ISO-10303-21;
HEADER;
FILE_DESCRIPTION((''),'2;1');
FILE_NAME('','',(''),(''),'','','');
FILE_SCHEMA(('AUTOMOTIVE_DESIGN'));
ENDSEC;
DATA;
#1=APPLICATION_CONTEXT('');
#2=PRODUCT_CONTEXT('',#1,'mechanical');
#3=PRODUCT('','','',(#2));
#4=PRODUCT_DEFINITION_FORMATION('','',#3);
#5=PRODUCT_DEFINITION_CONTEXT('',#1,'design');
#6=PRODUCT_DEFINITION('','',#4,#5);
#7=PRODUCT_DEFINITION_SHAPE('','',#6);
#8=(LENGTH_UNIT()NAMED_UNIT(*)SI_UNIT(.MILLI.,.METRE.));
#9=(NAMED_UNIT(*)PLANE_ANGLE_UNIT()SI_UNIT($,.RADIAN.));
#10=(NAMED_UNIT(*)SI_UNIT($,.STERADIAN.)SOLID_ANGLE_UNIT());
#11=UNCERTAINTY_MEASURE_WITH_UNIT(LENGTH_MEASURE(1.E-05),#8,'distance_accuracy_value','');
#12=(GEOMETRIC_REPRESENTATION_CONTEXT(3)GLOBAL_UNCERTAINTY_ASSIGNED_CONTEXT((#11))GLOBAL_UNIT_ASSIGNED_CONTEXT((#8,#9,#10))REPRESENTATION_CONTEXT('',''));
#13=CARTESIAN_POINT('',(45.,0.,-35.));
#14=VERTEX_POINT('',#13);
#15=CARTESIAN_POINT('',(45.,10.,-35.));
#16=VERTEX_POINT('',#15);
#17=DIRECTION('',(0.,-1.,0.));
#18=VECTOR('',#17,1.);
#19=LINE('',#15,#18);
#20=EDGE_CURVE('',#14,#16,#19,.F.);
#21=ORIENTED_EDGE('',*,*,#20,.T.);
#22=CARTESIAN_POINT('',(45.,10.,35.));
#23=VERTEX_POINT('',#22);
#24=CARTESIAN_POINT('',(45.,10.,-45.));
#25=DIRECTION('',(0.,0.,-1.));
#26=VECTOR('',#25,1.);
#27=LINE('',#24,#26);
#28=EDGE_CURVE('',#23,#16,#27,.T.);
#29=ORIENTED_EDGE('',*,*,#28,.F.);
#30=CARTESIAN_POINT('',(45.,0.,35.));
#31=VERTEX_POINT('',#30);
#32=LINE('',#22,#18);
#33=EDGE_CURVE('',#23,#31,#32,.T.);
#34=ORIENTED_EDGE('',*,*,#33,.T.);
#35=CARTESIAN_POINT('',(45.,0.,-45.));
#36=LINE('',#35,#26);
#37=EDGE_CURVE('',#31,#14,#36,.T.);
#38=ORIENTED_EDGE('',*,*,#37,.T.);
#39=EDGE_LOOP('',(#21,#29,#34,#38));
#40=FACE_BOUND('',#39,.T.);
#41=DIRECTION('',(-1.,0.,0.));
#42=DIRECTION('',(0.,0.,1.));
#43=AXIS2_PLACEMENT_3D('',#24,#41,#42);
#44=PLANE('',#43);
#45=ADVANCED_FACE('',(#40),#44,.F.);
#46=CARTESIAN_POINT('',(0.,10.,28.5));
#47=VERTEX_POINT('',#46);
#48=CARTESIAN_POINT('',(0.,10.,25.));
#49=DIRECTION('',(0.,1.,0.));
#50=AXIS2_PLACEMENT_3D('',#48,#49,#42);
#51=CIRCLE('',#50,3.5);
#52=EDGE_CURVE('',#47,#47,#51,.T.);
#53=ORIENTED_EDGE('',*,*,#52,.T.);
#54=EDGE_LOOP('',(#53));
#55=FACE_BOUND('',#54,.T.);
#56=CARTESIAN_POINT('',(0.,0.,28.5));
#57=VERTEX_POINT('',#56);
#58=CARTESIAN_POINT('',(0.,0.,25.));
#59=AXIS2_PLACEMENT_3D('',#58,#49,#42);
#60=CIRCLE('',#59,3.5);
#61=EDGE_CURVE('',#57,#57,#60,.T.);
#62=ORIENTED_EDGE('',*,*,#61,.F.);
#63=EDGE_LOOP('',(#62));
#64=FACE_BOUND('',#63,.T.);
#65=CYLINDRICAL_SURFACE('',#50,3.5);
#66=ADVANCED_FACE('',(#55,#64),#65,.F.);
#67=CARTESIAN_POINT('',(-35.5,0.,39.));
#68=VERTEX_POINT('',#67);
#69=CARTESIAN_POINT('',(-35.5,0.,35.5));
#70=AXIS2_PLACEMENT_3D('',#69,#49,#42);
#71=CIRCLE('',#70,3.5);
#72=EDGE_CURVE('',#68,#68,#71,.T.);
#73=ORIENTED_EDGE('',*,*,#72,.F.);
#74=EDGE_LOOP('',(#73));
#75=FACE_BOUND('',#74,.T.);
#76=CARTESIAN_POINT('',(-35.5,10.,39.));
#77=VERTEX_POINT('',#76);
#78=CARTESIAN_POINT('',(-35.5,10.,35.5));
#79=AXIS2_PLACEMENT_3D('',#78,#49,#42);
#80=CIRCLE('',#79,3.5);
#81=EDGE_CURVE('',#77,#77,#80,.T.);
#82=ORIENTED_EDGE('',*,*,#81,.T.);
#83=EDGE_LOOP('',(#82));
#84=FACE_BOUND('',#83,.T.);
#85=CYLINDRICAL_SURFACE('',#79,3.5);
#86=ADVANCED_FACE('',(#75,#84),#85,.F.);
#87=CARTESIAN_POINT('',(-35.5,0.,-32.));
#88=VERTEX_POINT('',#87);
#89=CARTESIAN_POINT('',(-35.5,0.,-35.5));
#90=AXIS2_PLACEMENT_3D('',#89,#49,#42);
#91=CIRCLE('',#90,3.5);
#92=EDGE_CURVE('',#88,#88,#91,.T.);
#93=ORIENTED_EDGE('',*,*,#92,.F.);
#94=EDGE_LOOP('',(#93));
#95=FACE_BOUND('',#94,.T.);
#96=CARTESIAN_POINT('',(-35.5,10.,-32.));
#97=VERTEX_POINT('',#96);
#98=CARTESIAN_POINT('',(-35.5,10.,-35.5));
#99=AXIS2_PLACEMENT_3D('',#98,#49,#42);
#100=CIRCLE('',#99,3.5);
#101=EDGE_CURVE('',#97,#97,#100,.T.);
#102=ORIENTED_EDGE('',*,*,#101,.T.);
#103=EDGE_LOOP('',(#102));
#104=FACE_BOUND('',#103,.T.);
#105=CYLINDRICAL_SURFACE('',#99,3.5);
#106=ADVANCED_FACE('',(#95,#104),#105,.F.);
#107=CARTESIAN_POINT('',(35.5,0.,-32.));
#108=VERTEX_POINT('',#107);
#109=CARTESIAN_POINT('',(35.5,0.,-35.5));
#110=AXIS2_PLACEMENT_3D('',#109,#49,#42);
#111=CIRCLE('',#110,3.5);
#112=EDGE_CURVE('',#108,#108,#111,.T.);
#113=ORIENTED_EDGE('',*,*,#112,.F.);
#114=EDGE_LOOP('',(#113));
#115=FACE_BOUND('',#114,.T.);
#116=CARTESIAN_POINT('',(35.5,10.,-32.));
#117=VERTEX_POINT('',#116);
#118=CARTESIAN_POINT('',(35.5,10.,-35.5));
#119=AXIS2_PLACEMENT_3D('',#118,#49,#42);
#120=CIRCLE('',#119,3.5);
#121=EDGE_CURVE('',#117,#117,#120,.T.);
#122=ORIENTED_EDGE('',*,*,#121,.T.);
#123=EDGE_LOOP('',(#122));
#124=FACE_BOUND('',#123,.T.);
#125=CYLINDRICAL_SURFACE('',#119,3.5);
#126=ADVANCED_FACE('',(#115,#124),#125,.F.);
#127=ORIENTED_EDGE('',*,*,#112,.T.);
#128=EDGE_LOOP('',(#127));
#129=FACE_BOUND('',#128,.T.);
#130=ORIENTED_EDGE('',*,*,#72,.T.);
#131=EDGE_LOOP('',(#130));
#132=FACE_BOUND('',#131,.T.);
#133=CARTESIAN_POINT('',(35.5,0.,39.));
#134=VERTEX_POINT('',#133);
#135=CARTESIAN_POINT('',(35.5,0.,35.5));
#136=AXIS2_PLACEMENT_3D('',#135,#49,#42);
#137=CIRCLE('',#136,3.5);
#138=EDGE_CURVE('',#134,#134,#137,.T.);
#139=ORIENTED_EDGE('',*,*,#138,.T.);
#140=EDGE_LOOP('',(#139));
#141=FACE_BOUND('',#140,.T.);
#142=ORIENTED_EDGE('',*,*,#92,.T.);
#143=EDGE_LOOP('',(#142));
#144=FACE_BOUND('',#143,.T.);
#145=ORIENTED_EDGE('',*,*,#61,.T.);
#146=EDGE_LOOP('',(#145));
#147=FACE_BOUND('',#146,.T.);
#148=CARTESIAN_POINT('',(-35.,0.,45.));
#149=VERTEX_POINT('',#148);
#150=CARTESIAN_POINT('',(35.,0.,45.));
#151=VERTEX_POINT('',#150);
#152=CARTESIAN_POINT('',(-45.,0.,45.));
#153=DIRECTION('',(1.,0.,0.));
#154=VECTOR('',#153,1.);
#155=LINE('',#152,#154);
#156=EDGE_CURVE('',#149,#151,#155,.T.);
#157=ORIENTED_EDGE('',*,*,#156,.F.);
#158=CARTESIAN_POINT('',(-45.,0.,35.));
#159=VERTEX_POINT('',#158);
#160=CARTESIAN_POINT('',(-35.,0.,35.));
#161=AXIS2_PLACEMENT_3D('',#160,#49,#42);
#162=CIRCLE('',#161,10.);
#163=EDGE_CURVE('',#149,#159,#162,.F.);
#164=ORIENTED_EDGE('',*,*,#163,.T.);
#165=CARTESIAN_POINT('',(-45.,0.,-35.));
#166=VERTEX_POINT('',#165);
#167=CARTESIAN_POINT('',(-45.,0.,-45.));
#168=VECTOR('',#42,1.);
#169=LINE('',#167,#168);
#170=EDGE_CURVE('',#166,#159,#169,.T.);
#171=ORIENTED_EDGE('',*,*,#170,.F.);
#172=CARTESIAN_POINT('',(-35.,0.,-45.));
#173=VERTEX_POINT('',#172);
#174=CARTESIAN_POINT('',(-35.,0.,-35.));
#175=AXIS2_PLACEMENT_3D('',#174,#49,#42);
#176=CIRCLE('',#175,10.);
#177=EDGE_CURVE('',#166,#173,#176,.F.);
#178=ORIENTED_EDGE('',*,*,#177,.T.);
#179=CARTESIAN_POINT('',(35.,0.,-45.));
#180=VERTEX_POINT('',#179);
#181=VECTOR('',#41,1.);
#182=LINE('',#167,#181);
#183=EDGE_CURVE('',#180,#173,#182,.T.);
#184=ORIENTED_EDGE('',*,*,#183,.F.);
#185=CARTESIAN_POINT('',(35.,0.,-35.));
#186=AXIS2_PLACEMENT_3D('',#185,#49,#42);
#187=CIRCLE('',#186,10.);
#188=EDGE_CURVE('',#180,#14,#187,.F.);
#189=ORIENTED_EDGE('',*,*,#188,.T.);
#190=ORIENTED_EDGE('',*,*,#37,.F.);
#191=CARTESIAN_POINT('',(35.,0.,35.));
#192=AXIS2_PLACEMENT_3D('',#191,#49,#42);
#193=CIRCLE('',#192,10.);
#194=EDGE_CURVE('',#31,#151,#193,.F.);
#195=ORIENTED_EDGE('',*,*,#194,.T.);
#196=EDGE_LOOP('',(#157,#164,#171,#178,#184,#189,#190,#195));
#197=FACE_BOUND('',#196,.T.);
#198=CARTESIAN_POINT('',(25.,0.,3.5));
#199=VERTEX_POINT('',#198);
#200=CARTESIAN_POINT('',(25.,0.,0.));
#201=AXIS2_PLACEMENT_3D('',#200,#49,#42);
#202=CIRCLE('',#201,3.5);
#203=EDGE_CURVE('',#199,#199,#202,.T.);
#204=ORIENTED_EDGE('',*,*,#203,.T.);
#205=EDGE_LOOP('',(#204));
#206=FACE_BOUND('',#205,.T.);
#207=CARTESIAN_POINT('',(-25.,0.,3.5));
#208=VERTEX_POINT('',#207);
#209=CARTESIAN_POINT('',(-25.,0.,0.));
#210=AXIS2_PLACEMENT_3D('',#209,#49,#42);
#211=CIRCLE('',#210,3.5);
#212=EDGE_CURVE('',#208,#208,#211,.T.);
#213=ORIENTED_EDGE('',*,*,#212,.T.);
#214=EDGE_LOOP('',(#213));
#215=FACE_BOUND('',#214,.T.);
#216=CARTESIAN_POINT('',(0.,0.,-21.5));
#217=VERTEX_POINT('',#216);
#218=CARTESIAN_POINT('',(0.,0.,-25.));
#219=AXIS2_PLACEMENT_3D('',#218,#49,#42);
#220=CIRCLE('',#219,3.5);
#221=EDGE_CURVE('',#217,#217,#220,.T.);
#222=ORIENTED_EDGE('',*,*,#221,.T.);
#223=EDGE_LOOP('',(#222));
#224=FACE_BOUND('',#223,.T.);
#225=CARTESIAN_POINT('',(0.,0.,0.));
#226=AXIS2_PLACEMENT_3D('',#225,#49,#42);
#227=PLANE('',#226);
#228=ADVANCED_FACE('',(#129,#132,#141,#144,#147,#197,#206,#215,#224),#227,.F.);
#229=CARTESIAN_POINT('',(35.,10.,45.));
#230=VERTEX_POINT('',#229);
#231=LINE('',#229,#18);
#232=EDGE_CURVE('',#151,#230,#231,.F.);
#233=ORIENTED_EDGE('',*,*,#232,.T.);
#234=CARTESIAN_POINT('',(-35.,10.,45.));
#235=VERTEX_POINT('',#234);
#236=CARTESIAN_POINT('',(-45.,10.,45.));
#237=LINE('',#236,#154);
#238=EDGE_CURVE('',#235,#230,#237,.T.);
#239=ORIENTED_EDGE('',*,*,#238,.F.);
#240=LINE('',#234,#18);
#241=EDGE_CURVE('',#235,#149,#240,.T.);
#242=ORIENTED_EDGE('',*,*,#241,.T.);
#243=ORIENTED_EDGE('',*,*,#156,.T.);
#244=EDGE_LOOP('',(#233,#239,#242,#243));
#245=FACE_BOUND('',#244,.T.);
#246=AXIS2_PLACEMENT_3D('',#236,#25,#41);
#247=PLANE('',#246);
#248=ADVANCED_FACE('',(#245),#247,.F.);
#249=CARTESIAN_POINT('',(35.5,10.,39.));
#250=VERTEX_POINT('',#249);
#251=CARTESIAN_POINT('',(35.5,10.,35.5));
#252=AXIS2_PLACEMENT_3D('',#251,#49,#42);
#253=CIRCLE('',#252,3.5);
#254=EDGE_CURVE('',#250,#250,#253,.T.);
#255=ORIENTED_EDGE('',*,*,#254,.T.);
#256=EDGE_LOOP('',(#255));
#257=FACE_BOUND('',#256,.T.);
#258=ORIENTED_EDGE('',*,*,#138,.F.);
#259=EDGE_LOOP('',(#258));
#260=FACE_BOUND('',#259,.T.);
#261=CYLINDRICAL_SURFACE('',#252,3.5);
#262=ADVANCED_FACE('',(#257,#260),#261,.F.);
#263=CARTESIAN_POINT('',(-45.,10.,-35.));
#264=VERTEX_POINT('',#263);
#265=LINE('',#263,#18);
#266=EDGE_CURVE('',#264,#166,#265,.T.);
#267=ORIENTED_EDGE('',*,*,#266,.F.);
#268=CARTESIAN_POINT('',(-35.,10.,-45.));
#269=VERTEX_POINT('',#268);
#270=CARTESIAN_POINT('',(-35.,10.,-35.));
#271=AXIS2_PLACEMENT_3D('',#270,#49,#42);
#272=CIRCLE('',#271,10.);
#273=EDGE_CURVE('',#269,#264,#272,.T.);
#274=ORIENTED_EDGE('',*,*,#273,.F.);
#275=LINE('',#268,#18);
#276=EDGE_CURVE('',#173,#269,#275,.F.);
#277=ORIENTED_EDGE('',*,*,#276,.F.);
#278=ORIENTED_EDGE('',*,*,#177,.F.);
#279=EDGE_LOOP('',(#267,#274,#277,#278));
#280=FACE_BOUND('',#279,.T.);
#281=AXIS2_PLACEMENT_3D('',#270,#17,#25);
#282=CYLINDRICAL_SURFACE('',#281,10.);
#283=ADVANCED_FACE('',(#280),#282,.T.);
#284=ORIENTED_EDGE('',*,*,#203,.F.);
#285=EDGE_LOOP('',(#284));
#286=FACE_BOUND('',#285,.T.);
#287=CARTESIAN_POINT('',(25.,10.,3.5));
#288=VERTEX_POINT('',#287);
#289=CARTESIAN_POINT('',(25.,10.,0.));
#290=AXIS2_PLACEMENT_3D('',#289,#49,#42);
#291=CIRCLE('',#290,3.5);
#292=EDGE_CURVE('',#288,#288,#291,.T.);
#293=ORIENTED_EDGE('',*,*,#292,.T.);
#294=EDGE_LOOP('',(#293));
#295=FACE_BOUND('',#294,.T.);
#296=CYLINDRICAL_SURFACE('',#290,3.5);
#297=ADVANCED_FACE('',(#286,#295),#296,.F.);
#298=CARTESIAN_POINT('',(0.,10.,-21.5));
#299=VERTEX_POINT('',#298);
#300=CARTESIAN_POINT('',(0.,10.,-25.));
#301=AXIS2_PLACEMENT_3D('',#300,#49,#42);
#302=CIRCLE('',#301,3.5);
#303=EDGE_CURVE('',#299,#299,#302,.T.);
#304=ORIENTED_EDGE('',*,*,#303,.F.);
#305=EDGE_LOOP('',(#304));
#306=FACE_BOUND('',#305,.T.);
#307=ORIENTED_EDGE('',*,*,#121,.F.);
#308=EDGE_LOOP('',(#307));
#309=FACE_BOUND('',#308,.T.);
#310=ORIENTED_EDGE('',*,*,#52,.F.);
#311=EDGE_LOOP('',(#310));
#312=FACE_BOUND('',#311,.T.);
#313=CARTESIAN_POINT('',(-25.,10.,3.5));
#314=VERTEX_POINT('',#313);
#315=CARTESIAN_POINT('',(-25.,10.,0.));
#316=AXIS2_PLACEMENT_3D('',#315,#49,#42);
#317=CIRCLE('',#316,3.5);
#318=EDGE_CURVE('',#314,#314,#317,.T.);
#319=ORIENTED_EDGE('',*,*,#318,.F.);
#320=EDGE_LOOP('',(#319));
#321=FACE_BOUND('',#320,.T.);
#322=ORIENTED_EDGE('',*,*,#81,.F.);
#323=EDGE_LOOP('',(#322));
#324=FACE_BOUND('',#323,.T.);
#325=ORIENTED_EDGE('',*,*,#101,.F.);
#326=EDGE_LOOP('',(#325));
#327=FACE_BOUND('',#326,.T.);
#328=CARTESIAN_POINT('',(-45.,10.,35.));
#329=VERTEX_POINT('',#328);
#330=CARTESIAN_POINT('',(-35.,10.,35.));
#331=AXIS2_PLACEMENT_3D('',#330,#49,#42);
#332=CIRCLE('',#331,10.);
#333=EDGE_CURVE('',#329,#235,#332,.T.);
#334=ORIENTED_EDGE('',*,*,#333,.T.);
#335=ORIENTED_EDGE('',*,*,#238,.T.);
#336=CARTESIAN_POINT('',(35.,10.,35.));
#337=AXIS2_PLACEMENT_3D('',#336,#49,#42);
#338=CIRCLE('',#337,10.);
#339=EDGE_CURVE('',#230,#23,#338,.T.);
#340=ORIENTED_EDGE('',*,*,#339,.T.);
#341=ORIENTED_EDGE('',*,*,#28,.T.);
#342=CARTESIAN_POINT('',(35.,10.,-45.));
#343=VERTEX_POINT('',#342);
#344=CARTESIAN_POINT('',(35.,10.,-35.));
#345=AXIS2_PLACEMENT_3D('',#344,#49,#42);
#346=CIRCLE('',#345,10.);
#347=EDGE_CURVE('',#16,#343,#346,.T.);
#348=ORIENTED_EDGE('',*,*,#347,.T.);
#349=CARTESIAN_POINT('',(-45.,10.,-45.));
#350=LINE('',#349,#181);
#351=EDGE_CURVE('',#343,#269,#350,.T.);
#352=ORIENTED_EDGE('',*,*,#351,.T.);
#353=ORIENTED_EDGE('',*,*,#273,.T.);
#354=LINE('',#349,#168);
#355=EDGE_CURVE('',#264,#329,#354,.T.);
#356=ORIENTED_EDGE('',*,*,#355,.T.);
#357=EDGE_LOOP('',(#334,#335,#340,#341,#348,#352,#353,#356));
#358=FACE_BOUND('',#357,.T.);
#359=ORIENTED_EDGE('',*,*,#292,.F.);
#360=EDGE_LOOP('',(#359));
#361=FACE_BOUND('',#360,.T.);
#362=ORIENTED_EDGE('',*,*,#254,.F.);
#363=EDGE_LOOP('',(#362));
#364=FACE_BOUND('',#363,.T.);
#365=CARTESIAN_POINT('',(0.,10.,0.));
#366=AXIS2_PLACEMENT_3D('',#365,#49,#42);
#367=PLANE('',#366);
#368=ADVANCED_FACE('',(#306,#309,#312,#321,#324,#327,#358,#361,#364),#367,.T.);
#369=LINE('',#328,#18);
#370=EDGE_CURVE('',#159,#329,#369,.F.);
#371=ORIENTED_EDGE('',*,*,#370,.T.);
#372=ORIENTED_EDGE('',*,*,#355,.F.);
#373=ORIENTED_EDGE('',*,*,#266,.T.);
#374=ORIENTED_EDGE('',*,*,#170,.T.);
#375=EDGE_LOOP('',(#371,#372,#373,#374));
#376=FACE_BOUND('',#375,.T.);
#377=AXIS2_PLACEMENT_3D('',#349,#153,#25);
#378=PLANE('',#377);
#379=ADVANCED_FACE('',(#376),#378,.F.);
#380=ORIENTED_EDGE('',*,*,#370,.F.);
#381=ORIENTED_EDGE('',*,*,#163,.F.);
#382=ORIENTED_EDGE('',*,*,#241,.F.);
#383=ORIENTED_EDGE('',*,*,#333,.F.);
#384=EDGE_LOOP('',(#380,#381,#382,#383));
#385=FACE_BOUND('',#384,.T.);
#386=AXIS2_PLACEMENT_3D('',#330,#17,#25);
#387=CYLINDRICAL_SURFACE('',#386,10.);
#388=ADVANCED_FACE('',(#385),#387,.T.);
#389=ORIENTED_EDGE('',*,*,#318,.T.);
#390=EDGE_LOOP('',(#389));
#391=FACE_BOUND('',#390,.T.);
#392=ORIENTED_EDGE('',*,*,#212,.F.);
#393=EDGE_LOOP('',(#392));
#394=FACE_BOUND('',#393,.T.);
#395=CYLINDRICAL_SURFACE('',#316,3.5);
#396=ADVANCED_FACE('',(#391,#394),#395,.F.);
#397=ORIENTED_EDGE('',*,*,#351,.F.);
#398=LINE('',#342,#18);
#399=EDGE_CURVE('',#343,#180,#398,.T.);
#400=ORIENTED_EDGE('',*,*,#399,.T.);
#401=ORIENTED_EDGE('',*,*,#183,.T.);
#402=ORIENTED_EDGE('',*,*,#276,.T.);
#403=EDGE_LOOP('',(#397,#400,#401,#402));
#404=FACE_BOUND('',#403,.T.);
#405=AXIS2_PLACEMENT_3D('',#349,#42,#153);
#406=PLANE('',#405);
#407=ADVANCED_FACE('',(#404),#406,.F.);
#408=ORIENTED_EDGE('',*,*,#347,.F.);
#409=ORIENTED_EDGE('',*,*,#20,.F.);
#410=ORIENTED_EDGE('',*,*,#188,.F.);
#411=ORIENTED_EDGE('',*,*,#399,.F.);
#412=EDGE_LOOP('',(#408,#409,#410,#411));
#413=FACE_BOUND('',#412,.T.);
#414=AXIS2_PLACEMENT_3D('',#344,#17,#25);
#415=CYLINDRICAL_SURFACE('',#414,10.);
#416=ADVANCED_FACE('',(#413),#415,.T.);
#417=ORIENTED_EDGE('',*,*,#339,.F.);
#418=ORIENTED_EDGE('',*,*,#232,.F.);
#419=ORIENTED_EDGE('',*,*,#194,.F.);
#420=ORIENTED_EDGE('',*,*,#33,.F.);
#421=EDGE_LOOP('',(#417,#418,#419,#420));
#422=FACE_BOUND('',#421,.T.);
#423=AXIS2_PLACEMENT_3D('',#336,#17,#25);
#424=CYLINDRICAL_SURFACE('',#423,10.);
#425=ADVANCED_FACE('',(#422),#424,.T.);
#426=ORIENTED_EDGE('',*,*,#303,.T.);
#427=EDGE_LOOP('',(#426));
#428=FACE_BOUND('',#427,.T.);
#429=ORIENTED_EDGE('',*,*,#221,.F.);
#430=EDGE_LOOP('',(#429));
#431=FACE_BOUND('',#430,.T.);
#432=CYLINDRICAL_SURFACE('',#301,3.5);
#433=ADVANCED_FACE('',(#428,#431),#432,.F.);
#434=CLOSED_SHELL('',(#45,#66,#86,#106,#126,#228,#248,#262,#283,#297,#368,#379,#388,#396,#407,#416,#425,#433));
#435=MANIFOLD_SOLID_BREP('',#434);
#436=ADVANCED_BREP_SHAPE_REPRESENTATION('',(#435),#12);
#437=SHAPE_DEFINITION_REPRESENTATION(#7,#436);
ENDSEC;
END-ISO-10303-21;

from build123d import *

# Parameters (mm, degrees)
SKETCH1_W            = 90
SKETCH1_H            = 90
BOSS_EXTRUDE1_DEPTH  = 10
M6_CLEARANCE_HOLE1_D = 7
M6_CLEARANCE_HOLE2_D = 7
FILLET1_R            = 10


with BuildPart() as part:
    # Sketch1 → Boss-Extrude1 (new body)
    with BuildSketch(Plane(origin=(0, 0, 0), x_dir=(1, 0, 0), z_dir=(0, 1, 0))):
        Rectangle(SKETCH1_W, SKETCH1_H)
    extrude(amount=BOSS_EXTRUDE1_DEPTH)

    # M6 Clearance Hole1 (through all)
    with Locations(Plane(origin=(0, 10, 0), x_dir=(1, 0, 0), z_dir=(0, 1, 0))):
        with Locations((-25, 0), (0, 25), (25, 0), (0, -25)):
            Hole(M6_CLEARANCE_HOLE1_D / 2)

    # M6 Clearance Hole2 (through all)
    with Locations(Plane(origin=(-35.5, 10, -35.5), x_dir=(0, 0, 1), z_dir=(0, 1, 0))):
        with Locations((0, 0), (71, 0), (0, 71), (71, 71)):
            Hole(M6_CLEARANCE_HOLE2_D / 2)

    # Fillet1
    fillet1_edges = [part.edges().sort_by_distance(p)[0] for p in [
        (45, 5, 45),
        (-45, 5, 45),
        (-45, 5, -45),
        (45, 5, -45),
    ]]
    fillet(fillet1_edges, radius=FILLET1_R)


solid = part.part
